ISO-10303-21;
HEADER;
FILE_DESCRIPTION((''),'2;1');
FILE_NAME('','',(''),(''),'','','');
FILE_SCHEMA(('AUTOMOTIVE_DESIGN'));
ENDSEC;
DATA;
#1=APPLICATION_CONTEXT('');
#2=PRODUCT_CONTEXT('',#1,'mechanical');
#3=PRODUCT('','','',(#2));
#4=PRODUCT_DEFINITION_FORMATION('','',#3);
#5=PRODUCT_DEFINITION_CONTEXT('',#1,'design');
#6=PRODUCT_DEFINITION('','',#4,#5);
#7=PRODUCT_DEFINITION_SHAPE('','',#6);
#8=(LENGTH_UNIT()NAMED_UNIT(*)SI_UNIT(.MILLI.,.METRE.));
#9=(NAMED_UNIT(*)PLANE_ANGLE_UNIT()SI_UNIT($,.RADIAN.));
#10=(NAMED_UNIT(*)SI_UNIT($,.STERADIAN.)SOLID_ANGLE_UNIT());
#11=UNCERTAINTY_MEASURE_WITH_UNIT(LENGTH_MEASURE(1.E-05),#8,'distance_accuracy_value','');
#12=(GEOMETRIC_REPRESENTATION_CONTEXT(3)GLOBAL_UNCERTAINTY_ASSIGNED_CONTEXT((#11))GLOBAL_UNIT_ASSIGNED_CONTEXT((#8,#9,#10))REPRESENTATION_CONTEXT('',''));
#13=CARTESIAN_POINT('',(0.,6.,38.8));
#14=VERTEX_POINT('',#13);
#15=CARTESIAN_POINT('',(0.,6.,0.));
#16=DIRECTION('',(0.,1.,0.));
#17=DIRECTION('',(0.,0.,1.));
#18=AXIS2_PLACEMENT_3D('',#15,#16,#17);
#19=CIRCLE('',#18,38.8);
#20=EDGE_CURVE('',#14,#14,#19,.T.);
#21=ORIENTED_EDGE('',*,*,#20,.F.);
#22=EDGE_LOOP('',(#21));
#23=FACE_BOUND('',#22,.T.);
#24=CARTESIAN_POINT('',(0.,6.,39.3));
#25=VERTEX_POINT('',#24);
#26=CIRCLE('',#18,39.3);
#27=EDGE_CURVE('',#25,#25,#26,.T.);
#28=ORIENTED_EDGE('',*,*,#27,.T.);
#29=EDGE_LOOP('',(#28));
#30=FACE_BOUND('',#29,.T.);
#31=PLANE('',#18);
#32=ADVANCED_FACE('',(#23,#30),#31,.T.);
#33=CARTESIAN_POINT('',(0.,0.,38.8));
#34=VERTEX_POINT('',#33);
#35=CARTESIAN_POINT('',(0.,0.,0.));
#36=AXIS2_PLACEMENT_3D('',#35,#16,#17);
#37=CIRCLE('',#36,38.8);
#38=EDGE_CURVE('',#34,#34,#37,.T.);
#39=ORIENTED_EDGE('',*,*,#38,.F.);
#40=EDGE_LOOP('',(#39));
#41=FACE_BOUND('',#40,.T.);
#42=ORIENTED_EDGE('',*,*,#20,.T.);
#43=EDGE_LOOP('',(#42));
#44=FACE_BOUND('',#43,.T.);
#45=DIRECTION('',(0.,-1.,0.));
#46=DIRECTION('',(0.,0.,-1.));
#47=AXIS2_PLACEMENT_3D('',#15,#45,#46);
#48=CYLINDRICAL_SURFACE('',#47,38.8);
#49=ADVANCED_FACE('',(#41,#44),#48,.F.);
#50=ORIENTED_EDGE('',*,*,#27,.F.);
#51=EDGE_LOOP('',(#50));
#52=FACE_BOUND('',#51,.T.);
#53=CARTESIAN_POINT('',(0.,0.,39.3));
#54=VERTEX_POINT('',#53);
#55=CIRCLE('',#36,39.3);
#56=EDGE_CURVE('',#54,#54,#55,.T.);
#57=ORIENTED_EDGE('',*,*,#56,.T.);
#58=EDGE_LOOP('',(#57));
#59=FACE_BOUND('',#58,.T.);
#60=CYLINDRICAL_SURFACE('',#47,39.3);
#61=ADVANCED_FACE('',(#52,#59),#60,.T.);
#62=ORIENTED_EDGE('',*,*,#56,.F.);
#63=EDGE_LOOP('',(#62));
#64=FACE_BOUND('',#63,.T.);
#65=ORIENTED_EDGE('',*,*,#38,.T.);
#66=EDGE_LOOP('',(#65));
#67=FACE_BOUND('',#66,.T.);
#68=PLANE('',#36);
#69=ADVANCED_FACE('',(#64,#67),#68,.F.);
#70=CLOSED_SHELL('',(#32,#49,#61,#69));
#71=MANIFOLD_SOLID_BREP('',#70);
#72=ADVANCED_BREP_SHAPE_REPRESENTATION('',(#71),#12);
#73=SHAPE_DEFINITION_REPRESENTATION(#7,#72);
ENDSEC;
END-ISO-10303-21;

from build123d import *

# Parameters (mm, degrees)
SKETCH1_R           = 39.3
SKETCH1_R_2         = 38.8
BOSS_EXTRUDE1_DEPTH = 6


with BuildPart() as part:
    # Sketch1 → Boss-Extrude1 (new body)
    with BuildSketch(Plane(origin=(0, 0, 0), x_dir=(1, 0, 0), z_dir=(0, 1, 0))):
        with Locations(Location((0, 0, 0), (0, 0, 270))):
            Circle(SKETCH1_R)
        with Locations(Location((0, 0, 0), (0, 0, 270))):
            Circle(SKETCH1_R_2, mode=Mode.SUBTRACT)
    extrude(amount=BOSS_EXTRUDE1_DEPTH)


solid = part.part
